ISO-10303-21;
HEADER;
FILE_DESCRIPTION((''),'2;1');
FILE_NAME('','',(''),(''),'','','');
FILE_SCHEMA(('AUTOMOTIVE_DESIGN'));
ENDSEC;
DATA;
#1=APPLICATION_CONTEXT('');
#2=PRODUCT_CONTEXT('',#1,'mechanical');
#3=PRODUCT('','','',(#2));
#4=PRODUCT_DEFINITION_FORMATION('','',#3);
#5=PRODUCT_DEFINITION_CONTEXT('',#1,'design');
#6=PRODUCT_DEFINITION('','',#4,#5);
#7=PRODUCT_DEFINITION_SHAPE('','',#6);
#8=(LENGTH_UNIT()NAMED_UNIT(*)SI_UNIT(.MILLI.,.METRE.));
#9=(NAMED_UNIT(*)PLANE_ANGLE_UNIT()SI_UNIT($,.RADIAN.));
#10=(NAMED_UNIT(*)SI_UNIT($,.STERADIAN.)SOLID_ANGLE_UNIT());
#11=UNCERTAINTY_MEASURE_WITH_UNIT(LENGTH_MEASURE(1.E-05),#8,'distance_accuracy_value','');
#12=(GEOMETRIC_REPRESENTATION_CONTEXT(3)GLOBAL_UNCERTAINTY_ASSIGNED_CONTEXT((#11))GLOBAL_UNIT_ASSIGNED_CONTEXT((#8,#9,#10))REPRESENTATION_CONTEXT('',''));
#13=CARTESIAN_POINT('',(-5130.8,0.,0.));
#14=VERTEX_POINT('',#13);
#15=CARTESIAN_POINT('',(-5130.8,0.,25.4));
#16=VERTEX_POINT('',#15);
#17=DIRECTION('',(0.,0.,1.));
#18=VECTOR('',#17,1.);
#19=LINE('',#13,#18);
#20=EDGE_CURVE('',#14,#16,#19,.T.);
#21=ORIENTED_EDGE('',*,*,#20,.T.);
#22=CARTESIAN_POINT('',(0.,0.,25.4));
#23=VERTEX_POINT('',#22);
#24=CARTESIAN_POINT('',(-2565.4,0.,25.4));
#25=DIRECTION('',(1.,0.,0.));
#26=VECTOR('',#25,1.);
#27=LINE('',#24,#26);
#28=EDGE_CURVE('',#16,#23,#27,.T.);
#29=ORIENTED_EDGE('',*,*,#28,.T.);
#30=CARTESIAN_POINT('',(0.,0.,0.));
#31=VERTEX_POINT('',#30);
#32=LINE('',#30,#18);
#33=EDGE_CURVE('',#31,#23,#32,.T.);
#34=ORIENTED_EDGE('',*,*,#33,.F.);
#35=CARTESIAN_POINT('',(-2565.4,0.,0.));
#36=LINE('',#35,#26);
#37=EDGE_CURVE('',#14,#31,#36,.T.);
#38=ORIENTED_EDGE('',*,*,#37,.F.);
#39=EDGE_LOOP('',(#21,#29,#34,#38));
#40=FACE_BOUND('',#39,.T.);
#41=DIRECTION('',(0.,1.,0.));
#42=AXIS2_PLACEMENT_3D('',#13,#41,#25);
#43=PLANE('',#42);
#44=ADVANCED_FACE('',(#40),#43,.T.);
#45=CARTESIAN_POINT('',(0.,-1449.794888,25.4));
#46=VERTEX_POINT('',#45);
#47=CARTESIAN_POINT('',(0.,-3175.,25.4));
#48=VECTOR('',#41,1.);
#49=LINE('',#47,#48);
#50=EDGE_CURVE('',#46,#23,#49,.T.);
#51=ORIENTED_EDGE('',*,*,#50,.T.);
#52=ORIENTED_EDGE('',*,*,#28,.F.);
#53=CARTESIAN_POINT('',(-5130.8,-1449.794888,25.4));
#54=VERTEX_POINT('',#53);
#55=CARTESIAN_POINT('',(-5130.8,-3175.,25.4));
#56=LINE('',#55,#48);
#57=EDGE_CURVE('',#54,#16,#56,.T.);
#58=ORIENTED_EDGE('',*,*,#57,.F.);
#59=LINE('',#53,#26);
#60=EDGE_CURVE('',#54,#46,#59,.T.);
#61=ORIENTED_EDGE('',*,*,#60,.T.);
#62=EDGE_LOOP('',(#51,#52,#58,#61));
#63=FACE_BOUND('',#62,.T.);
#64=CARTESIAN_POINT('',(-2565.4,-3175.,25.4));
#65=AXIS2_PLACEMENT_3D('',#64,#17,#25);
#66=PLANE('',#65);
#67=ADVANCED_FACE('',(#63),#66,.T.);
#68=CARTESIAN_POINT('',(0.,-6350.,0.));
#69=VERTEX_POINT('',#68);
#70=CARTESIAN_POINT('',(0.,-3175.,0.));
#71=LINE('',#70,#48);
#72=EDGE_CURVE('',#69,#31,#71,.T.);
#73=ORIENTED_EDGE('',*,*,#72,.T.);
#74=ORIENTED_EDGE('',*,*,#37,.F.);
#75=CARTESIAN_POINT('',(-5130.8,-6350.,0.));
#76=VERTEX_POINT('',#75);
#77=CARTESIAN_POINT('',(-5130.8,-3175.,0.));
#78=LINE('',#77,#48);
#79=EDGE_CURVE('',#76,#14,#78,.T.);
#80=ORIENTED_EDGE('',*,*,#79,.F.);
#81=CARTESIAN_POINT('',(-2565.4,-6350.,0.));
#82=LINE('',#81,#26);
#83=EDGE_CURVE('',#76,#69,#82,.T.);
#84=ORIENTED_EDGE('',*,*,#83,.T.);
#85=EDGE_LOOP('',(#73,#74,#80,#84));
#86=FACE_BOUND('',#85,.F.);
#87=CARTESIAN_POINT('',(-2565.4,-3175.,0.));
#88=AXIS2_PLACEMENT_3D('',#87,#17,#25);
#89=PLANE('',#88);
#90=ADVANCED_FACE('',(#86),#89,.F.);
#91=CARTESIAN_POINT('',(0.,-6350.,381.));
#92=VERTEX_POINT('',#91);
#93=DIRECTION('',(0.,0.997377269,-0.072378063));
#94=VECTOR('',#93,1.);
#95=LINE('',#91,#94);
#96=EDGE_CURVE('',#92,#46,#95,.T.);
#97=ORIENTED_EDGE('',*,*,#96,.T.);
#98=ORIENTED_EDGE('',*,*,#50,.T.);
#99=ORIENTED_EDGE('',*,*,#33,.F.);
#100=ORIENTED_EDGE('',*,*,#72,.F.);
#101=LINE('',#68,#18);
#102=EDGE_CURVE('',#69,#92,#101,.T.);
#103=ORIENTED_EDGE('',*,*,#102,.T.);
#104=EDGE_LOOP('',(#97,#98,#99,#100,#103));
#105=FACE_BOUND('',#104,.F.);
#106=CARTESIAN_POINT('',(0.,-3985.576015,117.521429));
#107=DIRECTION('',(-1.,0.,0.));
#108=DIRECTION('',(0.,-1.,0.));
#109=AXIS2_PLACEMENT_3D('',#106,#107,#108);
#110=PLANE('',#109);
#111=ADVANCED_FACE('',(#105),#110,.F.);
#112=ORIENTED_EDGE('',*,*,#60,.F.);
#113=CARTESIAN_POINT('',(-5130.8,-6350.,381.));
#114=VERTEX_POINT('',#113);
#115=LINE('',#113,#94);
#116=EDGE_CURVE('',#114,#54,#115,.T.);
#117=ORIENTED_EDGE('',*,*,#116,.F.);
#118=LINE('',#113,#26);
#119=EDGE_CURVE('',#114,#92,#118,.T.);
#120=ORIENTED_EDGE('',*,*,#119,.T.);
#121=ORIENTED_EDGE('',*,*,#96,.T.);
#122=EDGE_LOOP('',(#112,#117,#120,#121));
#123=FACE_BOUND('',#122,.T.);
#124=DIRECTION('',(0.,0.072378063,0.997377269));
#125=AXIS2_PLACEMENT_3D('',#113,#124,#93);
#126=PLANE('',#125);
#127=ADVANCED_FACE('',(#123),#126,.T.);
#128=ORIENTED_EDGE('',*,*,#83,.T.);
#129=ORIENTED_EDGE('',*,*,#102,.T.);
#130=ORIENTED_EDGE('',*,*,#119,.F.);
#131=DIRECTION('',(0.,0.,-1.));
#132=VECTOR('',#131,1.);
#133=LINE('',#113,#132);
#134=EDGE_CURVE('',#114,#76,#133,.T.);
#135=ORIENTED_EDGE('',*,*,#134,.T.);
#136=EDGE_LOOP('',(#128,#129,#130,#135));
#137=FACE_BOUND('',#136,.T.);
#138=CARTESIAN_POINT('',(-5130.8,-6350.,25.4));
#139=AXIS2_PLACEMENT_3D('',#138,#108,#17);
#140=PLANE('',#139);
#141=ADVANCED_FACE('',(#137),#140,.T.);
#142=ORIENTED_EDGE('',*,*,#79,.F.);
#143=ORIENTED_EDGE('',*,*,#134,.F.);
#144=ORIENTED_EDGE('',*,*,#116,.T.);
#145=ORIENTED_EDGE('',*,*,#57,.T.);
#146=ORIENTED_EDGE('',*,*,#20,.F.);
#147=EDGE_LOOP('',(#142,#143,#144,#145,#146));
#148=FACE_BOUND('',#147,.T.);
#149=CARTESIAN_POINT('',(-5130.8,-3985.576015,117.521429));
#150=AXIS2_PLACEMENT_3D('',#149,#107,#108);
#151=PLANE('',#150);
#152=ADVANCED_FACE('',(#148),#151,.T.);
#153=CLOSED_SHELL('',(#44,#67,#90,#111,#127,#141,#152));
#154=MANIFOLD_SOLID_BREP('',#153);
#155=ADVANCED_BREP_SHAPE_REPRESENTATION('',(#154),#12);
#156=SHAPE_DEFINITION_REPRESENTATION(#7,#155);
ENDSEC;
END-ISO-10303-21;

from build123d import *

# Parameters (mm, degrees)
F0_W     = 5130.8
F0_H     = 6350
F1_DEPTH = 25.4
F3_DEPTH = 5130.8


with BuildPart() as f1:
    # F0 (on Top) → F1 (new body)
    with BuildSketch(Plane.XY):
        with Locations((-2565.4, -3175)):
            Rectangle(F0_W, F0_H)
    extrude(amount=F1_DEPTH)

    # F2 (on face) → F3 (join)
    with BuildSketch(Plane(origin=(-5130.8, 0, 0), x_dir=(0, -1, 0), z_dir=(-1, 0, 0))):
        Polygon((1449.794888, 25.4), (6350, 25.4), (6350, 381), align=None)
    extrude(amount=-F3_DEPTH)


solid = f1.part
